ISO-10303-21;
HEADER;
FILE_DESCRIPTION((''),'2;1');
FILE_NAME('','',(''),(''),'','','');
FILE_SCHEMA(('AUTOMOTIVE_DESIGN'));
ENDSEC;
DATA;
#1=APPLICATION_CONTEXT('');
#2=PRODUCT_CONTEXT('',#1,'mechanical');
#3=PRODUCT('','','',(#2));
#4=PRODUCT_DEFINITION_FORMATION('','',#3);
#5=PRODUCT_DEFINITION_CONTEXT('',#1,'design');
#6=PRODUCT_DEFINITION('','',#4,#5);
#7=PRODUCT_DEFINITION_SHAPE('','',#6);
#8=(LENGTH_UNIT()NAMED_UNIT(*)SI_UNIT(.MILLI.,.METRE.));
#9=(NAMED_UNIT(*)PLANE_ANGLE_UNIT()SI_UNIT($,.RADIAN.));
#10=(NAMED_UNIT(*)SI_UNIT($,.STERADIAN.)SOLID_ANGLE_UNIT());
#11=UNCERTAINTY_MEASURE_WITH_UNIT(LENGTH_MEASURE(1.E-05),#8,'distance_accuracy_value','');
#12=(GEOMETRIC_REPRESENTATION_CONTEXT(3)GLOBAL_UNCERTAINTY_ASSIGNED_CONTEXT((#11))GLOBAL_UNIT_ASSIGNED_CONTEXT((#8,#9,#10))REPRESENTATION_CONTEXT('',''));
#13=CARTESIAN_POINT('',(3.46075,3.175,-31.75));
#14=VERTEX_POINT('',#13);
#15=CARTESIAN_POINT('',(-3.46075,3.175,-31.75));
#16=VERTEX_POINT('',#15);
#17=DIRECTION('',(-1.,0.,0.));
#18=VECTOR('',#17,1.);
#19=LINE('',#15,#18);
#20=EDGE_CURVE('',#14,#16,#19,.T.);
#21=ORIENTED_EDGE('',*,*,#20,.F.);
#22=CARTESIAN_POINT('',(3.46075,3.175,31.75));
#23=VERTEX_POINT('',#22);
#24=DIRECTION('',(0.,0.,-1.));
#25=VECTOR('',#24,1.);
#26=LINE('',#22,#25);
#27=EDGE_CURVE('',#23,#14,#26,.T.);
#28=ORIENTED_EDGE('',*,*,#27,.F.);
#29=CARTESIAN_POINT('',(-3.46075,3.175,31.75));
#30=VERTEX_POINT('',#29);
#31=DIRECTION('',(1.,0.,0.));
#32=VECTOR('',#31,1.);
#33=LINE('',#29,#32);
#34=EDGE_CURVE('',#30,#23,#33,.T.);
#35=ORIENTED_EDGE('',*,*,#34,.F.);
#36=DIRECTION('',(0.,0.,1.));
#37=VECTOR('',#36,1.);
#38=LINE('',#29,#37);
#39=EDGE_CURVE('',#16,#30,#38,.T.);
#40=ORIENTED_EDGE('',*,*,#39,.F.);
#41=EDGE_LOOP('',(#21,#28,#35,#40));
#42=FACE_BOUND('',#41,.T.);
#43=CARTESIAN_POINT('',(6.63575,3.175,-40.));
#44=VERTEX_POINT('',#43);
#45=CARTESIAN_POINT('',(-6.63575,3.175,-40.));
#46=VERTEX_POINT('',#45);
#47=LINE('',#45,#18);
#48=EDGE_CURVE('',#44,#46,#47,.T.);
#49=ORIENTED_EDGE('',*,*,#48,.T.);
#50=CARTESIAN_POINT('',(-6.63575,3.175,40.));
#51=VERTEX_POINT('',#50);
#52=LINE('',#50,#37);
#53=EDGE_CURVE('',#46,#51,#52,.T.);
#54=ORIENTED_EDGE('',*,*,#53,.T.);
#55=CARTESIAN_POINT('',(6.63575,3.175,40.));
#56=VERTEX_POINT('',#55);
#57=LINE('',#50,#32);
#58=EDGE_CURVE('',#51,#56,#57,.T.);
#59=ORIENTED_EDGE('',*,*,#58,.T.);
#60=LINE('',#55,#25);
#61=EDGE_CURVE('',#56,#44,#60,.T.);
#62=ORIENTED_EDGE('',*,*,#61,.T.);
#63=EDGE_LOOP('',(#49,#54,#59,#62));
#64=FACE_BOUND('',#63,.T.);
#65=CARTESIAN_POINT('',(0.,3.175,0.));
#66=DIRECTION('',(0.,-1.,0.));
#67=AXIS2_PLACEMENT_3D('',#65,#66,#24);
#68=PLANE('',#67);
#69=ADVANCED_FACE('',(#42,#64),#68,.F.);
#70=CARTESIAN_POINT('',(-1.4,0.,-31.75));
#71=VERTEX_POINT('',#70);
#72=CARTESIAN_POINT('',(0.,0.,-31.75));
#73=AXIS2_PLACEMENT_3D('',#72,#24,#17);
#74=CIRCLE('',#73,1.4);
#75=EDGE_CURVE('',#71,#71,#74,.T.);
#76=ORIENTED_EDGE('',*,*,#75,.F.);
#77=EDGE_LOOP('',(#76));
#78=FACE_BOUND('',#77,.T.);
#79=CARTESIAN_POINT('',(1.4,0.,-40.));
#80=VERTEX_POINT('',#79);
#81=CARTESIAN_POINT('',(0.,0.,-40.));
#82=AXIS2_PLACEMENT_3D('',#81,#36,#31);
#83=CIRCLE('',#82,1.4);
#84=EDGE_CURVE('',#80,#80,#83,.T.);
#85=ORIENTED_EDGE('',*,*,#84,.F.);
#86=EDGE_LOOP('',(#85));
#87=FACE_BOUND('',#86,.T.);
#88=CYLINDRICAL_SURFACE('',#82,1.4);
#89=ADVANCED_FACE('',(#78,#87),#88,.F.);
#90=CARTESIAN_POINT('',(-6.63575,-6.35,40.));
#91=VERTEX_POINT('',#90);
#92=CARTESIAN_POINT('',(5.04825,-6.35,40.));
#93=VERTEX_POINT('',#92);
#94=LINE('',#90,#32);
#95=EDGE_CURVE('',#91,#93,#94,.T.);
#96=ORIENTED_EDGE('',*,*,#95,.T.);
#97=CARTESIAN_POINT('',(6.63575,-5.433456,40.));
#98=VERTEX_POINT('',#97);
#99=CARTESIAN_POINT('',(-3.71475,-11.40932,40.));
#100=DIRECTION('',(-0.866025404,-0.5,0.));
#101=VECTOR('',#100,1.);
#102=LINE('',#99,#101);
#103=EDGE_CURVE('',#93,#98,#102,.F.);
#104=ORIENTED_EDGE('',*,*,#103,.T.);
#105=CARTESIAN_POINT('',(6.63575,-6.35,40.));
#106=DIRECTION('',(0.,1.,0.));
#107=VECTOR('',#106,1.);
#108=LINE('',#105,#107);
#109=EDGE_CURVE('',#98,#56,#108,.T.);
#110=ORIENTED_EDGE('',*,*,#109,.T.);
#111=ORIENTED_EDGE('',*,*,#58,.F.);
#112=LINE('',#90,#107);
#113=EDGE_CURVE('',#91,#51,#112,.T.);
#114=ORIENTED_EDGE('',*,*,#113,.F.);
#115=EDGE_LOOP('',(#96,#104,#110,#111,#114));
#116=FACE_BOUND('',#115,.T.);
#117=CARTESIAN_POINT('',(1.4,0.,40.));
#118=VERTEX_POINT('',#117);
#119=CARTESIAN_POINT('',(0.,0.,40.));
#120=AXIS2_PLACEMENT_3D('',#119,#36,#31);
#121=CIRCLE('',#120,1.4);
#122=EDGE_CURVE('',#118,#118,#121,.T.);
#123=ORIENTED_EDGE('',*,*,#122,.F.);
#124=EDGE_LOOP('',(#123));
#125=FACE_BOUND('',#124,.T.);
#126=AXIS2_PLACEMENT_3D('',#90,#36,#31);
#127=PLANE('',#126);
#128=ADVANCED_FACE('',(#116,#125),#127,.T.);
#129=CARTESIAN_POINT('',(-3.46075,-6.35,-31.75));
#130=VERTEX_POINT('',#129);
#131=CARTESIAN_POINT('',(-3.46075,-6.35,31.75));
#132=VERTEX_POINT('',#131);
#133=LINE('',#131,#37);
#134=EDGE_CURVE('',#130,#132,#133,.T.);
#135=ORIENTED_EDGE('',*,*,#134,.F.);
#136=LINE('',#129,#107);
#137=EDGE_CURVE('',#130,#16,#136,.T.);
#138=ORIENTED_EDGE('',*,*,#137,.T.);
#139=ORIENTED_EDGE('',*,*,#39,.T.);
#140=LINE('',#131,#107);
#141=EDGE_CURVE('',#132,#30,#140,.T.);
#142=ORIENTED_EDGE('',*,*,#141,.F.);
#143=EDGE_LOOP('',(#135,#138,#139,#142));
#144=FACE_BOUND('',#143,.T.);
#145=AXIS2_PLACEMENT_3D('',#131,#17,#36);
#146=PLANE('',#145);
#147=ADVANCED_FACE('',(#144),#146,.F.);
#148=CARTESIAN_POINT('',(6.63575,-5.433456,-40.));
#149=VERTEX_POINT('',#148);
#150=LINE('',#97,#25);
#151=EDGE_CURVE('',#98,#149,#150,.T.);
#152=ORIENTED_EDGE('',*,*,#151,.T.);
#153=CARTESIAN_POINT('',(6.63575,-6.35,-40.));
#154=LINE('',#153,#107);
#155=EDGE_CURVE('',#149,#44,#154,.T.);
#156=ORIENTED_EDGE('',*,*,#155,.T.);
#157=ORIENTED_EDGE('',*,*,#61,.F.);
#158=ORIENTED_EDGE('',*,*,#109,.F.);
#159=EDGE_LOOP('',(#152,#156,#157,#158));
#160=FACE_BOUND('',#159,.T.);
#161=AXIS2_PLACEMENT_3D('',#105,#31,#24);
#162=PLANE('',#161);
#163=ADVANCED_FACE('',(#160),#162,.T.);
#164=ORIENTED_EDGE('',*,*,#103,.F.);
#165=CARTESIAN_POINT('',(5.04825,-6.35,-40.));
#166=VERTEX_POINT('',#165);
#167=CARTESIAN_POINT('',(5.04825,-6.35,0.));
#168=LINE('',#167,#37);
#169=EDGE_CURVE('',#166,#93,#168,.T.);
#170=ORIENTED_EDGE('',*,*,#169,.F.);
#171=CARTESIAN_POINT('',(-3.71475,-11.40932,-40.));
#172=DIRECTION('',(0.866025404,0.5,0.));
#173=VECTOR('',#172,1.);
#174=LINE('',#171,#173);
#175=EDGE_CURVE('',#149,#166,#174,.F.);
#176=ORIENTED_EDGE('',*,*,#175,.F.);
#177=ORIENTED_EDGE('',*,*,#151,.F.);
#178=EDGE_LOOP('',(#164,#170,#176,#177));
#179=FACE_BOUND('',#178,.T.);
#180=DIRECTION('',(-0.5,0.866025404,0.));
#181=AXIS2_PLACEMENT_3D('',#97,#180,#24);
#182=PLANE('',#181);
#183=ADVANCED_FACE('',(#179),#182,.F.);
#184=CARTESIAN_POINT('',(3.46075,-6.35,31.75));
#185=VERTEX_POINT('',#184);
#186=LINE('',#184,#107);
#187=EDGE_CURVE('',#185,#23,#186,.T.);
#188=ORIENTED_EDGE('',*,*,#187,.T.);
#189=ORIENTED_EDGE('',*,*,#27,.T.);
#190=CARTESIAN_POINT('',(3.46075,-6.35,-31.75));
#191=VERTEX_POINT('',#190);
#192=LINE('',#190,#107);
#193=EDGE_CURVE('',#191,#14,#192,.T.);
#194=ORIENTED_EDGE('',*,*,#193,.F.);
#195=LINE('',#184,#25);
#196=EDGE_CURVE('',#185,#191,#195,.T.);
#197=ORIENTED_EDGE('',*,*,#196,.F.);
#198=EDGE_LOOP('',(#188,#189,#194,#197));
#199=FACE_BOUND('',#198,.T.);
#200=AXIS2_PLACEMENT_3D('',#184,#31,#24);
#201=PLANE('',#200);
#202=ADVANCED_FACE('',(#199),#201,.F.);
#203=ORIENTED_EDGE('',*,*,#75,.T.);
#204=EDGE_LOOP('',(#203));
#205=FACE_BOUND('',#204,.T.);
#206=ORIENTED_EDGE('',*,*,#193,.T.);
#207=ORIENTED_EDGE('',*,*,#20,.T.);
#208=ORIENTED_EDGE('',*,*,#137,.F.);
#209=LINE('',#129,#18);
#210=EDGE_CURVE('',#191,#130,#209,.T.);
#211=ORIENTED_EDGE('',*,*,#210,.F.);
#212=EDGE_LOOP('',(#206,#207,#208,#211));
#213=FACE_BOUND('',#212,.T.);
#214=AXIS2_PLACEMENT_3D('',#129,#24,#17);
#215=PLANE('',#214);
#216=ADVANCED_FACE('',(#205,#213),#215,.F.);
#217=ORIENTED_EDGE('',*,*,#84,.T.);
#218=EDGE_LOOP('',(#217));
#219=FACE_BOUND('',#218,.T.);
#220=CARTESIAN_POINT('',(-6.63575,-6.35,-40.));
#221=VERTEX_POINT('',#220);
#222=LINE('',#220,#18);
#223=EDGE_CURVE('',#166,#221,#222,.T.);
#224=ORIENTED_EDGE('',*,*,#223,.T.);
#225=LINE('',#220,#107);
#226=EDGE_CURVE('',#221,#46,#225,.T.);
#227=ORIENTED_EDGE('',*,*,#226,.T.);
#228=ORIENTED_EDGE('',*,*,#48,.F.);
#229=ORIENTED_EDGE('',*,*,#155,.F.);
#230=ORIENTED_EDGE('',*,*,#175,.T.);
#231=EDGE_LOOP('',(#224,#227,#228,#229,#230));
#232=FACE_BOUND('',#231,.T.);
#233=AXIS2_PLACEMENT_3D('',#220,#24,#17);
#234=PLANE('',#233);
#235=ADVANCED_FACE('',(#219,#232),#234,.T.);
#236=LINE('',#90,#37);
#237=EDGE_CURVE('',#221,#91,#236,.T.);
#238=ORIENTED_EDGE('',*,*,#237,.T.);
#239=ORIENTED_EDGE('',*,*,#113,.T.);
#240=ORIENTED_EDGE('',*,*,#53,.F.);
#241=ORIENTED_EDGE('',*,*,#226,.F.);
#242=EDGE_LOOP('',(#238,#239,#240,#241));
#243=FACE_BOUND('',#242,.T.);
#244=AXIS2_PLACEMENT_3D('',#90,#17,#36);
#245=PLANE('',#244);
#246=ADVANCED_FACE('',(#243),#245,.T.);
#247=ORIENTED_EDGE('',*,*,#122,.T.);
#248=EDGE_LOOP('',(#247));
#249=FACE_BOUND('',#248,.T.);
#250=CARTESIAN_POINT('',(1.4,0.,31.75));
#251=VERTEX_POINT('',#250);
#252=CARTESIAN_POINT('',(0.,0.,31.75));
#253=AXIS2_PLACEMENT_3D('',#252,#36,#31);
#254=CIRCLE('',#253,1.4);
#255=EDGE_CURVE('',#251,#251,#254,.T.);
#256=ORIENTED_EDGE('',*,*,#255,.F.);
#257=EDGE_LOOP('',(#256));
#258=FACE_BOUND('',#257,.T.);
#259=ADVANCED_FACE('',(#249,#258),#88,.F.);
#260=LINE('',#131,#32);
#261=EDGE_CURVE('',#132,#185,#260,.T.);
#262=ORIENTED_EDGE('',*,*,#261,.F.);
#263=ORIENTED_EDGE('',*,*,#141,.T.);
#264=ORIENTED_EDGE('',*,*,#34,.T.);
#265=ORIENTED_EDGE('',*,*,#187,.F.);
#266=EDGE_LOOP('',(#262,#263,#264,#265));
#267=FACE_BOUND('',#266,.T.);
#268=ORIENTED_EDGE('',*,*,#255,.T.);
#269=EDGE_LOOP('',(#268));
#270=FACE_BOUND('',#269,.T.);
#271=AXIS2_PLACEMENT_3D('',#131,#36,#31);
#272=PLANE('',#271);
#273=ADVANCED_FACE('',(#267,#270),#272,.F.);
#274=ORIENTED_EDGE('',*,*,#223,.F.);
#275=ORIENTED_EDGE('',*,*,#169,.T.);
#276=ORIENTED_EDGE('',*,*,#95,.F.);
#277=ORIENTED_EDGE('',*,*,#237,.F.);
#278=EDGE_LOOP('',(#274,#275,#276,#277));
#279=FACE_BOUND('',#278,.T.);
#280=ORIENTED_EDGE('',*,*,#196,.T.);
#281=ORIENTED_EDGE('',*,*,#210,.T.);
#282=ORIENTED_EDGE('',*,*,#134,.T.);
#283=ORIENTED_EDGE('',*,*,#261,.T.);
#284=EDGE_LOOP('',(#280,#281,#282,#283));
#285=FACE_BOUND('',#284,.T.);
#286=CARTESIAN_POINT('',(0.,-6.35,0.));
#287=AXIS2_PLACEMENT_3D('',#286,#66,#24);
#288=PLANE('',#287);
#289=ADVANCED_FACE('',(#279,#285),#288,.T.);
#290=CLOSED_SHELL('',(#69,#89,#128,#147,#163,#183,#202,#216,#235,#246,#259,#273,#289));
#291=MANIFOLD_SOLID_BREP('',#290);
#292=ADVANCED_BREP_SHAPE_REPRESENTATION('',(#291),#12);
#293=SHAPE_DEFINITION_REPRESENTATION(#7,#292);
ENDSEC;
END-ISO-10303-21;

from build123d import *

# Parameters (mm, degrees)
SKETCH1_W                = 13.2715
SKETCH1_H                = 80.00000002
SKETCH1_W_2              = 6.9215
SKETCH1_H_2              = 63.5
BOSS_EXTRUDE1_DEPTH      = 3.175
BOSS_EXTRUDE1_DEPTH_BACK = 6.35
SKETCH4_R                = 1.399999994
CUT_EXTRUDE1_DEPTH       = 81.00000002
CHAMFER1_SIZE            = 1.5875
CHAMFER1_SIZE2           = 0.916543552


with BuildPart() as part:
    # Sketch1 → Boss-Extrude1 (new body, two sides)
    with BuildSketch(Plane(origin=(0, 0, 0), x_dir=(1, 0, 0), z_dir=(0, 1, 0))) as boss_extrude1_sk:
        Rectangle(SKETCH1_W, SKETCH1_H)
        Rectangle(SKETCH1_W_2, SKETCH1_H_2, mode=Mode.SUBTRACT)
    extrude(amount=BOSS_EXTRUDE1_DEPTH)
    extrude(boss_extrude1_sk.sketch, amount=-BOSS_EXTRUDE1_DEPTH_BACK)

    # Sketch4 → Cut-Extrude1 (cut, through all)
    with BuildSketch(Plane.XY.offset(40.00000001)):
        Circle(SKETCH4_R)
    extrude(amount=-CUT_EXTRUDE1_DEPTH, mode=Mode.SUBTRACT)

    # Chamfer1
    chamfer1_edges = [part.edges().sort_by_distance(p)[0] for p in [
        (6.63575, -6.35, 0),
    ]]
    chamfer1_side = [part.faces().sort_by_distance(p)[0] for p in [
        (0, -6.35, 39.18906643),
    ]]
    chamfer(chamfer1_edges, length=CHAMFER1_SIZE, length2=CHAMFER1_SIZE2, reference=chamfer1_side[0])


solid = part.part
